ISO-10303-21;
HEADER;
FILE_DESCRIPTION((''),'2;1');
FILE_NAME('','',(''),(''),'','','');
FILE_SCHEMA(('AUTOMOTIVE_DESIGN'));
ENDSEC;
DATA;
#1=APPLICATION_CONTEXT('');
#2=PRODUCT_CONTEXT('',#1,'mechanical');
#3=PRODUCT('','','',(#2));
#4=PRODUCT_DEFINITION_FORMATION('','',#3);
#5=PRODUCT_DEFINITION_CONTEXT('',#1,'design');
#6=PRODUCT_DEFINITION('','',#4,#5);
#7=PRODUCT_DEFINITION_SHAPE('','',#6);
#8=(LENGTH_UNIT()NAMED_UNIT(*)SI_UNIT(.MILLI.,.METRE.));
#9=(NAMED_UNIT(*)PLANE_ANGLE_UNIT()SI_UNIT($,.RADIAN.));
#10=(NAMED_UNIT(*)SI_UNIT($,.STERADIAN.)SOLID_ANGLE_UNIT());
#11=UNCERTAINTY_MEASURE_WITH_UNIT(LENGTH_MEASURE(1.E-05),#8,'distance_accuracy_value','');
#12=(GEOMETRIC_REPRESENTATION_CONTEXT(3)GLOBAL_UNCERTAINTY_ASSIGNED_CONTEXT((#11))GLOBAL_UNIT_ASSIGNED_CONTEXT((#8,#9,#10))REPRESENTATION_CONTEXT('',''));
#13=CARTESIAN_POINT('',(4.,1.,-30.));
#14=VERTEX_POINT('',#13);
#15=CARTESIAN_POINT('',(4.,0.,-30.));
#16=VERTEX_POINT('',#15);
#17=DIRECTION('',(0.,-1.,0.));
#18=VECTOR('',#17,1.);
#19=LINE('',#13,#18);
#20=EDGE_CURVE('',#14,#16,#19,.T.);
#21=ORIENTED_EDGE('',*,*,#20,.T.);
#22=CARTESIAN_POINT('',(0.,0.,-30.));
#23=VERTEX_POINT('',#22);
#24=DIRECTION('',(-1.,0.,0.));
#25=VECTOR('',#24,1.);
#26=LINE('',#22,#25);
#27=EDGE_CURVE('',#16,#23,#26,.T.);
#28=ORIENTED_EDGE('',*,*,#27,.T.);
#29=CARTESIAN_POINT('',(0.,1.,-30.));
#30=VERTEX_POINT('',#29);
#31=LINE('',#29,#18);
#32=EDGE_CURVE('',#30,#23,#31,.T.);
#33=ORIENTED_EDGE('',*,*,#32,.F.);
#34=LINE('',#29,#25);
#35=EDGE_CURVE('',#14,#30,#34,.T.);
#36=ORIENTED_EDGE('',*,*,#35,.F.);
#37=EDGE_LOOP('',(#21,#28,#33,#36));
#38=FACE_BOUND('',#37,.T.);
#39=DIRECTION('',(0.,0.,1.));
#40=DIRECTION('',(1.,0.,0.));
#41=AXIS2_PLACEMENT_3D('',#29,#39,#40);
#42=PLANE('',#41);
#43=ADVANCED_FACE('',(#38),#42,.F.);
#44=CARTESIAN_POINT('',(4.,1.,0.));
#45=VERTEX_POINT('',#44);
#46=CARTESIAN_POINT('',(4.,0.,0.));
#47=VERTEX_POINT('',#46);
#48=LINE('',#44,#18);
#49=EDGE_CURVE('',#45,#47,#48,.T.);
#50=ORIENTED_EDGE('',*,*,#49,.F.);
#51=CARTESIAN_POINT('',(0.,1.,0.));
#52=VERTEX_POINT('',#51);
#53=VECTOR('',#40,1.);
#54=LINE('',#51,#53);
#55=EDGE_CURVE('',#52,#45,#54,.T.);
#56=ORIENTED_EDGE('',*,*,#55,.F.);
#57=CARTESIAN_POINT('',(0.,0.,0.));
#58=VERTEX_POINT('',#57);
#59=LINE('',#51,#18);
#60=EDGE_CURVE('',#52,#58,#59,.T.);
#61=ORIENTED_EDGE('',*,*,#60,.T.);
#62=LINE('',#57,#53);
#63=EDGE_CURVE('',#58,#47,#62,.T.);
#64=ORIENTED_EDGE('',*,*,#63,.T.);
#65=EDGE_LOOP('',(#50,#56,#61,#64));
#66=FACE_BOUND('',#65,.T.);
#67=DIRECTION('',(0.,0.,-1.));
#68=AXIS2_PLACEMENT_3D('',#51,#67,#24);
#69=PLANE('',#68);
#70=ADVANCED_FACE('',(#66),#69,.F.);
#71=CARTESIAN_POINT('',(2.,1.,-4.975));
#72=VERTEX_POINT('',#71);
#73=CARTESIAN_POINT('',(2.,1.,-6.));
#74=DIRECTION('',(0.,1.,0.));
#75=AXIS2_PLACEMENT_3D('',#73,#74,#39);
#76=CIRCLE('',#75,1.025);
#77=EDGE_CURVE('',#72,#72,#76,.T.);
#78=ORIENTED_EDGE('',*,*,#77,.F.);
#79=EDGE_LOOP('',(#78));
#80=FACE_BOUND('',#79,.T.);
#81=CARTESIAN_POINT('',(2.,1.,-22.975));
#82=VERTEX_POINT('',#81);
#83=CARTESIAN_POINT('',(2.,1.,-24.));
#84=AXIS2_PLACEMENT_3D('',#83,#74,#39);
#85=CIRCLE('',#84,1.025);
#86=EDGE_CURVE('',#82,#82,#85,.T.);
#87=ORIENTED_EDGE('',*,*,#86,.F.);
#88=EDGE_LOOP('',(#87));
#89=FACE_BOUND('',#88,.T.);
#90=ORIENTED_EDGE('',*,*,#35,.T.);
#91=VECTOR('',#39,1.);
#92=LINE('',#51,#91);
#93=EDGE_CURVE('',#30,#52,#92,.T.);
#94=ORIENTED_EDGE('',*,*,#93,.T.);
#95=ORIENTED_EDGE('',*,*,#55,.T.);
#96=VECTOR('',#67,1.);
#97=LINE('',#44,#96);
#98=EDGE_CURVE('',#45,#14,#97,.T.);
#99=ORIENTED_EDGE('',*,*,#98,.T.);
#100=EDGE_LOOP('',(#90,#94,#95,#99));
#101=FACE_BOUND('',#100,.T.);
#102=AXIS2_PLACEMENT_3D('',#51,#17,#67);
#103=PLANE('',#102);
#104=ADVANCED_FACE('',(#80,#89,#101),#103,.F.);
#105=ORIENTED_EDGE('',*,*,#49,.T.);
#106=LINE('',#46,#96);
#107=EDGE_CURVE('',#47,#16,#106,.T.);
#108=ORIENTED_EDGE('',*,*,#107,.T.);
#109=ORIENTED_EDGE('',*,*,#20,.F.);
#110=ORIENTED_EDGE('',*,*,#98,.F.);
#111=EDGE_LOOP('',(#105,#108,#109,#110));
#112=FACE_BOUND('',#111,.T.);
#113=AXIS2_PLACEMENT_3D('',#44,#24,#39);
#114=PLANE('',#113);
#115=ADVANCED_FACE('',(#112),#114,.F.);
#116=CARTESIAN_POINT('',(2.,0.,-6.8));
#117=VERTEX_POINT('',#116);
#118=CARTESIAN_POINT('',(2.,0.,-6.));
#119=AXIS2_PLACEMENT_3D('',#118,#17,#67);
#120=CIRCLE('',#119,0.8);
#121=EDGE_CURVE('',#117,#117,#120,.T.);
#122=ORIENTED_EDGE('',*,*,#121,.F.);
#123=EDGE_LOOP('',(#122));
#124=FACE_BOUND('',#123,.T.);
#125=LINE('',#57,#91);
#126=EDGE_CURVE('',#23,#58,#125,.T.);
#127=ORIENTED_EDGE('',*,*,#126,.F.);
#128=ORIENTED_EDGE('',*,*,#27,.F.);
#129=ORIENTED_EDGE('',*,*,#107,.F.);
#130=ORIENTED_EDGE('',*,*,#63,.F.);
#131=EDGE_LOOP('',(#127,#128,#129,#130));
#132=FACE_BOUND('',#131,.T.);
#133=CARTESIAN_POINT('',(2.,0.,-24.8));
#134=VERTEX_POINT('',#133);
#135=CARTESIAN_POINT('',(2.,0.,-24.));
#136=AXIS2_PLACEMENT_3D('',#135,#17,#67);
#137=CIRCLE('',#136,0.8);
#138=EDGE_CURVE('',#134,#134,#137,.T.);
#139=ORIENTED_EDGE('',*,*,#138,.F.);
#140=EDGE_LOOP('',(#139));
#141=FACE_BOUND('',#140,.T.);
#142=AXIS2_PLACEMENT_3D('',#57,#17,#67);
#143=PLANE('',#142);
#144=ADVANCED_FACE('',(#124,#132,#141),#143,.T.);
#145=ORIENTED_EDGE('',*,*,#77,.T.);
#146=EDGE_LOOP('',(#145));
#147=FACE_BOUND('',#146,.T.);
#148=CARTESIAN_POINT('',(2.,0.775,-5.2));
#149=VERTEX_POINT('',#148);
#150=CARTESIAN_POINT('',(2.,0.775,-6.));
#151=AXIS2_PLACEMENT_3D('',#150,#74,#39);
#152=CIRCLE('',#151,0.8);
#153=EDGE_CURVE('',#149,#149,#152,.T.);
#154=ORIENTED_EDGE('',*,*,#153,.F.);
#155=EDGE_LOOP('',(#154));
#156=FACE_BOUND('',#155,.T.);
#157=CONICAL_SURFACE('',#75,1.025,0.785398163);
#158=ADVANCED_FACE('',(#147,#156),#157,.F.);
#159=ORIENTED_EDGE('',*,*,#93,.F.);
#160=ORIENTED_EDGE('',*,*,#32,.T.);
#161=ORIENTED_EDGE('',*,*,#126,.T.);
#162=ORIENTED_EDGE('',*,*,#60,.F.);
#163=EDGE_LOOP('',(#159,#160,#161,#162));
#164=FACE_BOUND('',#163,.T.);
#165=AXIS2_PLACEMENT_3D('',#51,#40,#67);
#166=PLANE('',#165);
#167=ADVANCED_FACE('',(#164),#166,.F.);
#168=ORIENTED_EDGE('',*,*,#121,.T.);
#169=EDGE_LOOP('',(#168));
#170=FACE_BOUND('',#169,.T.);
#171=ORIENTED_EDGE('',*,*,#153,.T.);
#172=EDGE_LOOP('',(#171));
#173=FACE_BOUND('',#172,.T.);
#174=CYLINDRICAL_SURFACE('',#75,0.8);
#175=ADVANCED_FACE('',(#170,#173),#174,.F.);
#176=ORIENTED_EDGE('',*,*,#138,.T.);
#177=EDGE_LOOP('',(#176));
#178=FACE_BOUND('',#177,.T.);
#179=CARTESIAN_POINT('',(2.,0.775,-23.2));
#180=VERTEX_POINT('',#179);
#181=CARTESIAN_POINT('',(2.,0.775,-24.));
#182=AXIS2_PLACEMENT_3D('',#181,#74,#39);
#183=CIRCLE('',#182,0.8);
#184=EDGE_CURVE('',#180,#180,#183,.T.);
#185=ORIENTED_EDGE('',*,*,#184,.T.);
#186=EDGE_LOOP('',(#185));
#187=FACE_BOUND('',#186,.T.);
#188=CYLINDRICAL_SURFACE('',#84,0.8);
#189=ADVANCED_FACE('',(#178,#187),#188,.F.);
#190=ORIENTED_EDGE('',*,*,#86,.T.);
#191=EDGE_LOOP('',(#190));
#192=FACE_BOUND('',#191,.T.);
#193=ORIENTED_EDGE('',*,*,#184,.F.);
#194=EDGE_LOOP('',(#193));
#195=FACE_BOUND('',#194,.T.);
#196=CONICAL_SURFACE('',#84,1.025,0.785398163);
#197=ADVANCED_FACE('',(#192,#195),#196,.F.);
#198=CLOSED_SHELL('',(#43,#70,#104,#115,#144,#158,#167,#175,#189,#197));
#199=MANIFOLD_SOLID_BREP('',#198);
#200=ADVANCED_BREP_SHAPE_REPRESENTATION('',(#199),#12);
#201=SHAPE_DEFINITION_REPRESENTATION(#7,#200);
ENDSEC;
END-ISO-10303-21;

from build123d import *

# Parameters (mm, degrees)
SKETCH1_W                       = 4
SKETCH1_H                       = 30
BOSS_EXTRUDE1_DEPTH             = 1
M2X0_4_TAPPED_HOLE1_D           = 1.6
M2X0_4_TAPPED_HOLE1_DEPTH       = 11.2
M2X0_4_TAPPED_HOLE1_CSINK_D     = 2.05
M2X0_4_TAPPED_HOLE1_CSINK_ANGLE = 90
M2X0_4_TAPPED_HOLE1_TIP         = 0.480688495


with BuildPart() as part:
    # Sketch1 → Boss-Extrude1 (new body)
    with BuildSketch(Plane(origin=(0, 0, 0), x_dir=(1, 0, 0), z_dir=(0, 1, 0))):
        with Locations((2, 15)):
            Rectangle(SKETCH1_W, SKETCH1_H)
    extrude(amount=BOSS_EXTRUDE1_DEPTH)

    # M2x0.4 Tapped Hole1
    with Locations(Plane(origin=(2, 1, -24), x_dir=(0, 0, 1), z_dir=(0, 1, 0))):
        with Locations((0, 0), (18, 0)):
            CounterSinkHole(M2X0_4_TAPPED_HOLE1_D / 2, M2X0_4_TAPPED_HOLE1_CSINK_D / 2, depth=M2X0_4_TAPPED_HOLE1_DEPTH, counter_sink_angle=M2X0_4_TAPPED_HOLE1_CSINK_ANGLE)
            with Locations((0, 0, -(M2X0_4_TAPPED_HOLE1_DEPTH + M2X0_4_TAPPED_HOLE1_TIP / 2))):  # 118° drill point
                Cone(0, M2X0_4_TAPPED_HOLE1_D / 2, M2X0_4_TAPPED_HOLE1_TIP, mode=Mode.SUBTRACT)


solid = part.part
